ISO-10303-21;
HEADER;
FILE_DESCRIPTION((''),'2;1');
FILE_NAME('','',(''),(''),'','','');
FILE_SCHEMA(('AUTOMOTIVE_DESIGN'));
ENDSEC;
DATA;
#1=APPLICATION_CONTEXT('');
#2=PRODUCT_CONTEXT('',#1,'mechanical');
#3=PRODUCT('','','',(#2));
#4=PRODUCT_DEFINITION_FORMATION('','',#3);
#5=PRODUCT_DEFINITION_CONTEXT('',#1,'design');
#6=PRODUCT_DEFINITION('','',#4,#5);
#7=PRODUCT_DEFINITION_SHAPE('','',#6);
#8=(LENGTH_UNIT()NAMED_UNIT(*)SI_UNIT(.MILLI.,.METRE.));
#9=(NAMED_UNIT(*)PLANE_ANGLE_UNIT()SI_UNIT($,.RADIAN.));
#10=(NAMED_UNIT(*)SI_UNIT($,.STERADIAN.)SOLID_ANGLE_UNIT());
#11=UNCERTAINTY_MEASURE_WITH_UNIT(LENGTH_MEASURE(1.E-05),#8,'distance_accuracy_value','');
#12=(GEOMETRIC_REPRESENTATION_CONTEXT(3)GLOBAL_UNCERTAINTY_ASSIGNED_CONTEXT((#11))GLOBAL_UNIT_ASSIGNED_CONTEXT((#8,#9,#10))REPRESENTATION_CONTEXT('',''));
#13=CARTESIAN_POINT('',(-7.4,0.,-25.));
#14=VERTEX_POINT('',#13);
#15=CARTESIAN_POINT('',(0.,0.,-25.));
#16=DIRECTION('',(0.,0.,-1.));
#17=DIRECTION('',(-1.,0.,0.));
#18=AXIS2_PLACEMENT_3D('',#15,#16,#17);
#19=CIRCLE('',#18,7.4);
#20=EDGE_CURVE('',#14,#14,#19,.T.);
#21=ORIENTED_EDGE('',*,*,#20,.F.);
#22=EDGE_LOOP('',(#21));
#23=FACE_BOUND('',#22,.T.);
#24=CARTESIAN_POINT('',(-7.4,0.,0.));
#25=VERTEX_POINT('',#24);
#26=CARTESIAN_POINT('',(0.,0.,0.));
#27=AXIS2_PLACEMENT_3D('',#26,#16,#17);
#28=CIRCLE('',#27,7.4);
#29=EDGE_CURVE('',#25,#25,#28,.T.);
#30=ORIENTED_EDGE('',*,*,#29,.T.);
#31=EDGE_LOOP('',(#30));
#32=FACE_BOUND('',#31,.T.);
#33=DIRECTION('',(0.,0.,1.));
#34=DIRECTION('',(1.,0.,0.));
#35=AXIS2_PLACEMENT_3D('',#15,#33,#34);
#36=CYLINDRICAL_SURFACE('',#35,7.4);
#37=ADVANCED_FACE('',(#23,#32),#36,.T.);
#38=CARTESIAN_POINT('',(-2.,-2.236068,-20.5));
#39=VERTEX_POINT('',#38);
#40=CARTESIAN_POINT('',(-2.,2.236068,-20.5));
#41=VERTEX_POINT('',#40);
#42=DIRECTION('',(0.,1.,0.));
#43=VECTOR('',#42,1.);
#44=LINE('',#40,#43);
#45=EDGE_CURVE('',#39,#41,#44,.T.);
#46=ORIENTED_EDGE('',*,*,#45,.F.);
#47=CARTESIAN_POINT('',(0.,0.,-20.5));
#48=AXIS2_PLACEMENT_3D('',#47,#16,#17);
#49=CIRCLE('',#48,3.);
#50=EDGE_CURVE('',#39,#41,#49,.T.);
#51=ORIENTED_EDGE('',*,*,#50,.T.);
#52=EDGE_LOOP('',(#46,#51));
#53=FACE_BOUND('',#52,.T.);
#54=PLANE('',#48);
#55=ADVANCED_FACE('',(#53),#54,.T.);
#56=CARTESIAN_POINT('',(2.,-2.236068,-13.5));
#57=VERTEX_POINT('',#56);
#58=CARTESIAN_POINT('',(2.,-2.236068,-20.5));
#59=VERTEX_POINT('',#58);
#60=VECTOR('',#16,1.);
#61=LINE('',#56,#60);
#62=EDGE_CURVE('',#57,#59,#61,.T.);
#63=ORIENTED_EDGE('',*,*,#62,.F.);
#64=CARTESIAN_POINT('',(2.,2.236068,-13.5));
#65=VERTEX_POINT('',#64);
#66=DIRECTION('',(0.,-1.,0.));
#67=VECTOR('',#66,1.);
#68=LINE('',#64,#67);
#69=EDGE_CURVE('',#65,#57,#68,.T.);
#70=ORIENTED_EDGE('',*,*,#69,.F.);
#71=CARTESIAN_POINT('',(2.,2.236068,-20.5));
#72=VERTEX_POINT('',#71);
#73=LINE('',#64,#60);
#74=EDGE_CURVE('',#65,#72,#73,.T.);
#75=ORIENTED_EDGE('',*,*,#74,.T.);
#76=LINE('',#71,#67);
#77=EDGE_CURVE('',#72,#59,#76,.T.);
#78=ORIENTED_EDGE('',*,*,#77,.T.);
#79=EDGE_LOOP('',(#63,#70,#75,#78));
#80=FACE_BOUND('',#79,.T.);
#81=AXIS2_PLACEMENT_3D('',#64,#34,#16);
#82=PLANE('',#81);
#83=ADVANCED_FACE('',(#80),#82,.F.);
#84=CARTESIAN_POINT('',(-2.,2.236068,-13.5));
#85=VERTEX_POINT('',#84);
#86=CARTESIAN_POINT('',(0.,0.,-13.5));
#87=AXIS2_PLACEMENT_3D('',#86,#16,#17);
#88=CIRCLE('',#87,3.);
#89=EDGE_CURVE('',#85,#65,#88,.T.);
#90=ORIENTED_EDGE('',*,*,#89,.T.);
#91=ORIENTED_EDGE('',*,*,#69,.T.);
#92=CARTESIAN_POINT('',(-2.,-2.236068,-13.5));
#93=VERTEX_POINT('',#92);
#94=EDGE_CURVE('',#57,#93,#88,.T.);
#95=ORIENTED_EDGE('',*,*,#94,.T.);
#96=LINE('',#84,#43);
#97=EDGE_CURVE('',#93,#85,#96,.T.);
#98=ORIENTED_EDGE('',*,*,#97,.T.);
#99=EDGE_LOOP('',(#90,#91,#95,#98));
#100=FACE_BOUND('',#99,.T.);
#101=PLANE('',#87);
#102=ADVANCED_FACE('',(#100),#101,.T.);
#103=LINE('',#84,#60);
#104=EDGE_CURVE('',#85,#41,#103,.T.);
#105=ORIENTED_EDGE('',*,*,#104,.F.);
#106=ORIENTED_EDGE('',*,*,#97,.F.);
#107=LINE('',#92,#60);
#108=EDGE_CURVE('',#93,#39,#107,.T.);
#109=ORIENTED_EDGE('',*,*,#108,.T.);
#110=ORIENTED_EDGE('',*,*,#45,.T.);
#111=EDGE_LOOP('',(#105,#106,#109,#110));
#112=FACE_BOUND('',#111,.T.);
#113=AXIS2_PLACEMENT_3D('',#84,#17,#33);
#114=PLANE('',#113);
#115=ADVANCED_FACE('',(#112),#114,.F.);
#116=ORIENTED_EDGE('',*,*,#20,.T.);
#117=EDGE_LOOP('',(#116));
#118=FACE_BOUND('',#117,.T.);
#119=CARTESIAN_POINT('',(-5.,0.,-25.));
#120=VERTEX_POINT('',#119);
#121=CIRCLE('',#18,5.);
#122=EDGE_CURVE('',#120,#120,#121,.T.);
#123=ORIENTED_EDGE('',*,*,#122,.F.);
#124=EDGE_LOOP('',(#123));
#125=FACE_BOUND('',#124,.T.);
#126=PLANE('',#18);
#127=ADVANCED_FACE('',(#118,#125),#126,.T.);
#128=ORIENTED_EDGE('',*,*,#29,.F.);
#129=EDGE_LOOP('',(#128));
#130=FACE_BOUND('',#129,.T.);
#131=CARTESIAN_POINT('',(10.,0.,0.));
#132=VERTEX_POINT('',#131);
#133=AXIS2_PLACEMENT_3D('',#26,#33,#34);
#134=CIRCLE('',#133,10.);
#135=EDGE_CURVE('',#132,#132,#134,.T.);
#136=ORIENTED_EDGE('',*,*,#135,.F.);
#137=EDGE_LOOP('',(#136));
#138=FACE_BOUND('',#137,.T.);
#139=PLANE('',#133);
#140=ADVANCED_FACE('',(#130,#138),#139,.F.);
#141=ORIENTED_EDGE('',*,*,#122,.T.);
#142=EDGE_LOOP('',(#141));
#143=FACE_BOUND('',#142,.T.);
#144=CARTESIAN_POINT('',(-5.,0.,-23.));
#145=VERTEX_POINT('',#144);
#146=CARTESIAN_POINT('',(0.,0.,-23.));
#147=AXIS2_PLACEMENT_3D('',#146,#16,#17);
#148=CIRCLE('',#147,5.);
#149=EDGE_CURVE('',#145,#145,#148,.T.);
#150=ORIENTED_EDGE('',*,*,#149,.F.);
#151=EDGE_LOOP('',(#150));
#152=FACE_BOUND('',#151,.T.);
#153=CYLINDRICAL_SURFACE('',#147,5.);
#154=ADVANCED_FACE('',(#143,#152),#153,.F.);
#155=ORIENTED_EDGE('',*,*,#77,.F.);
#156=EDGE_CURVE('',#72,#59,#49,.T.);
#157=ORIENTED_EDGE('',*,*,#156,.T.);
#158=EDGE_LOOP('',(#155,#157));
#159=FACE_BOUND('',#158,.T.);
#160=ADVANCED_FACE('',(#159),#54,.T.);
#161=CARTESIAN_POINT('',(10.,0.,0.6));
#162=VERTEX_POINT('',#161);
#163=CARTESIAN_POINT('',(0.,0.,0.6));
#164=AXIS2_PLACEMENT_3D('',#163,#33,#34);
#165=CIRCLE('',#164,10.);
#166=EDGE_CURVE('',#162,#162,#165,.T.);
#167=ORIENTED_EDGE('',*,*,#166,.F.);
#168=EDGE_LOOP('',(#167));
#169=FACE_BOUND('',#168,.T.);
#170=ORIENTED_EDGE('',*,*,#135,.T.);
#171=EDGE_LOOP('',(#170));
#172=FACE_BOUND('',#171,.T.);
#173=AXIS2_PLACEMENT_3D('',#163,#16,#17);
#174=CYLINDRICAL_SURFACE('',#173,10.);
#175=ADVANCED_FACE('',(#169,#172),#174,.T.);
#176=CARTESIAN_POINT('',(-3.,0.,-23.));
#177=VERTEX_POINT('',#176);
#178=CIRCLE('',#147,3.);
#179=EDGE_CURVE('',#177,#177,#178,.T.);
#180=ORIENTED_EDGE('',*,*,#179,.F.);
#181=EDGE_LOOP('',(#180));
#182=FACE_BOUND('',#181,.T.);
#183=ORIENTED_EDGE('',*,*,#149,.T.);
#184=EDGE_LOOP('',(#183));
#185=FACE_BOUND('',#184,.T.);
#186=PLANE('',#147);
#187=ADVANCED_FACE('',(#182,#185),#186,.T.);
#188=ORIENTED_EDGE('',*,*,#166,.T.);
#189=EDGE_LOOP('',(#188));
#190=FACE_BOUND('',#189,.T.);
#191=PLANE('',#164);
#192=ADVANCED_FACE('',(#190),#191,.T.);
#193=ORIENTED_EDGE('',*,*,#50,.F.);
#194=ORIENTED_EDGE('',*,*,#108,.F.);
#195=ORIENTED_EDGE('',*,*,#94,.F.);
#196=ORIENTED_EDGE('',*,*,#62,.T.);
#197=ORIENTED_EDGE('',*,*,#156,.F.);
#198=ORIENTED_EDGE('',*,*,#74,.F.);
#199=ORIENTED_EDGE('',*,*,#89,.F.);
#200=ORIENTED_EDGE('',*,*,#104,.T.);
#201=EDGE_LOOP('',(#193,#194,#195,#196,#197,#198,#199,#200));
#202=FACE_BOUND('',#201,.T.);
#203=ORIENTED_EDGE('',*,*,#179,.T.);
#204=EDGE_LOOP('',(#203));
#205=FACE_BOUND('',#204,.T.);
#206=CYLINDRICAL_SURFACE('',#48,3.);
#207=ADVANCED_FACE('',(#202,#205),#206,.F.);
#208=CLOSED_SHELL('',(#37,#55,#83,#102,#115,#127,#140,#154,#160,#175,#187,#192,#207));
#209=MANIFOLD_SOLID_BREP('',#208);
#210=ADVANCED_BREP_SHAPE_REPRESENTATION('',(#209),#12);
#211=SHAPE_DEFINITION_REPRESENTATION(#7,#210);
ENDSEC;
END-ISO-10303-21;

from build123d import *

# Parameters (mm, degrees)
SKETCH2_R           = 10
BOSS_EXTRUDE1_DEPTH = 0.6
SKETCH3_R           = 7.4
BOSS_EXTRUDE2_DEPTH = 25
SKETCH4_R           = 5
CUT_EXTRUDE1_DEPTH  = 2
SKETCH5_R           = 3
CUT_EXTRUDE2_DEPTH  = 2.5
CUT_EXTRUDE3_DEPTH  = 7


with BuildPart() as part:
    # Sketch2 → Boss-Extrude1 (new body)
    with BuildSketch(Plane.XY):
        Circle(SKETCH2_R)
    extrude(amount=BOSS_EXTRUDE1_DEPTH)

    # Sketch3 → Boss-Extrude2 (add)
    with BuildSketch(Plane(origin=(0, 0, 0), x_dir=(-1, 0, 0), z_dir=(0, 0, -1))):
        Circle(SKETCH3_R)
    extrude(amount=BOSS_EXTRUDE2_DEPTH)

    # Sketch4 → Cut-Extrude1 (cut)
    with BuildSketch(Plane(origin=(0, 0, -25), x_dir=(-1, 0, 0), z_dir=(0, 0, -1))):
        Circle(SKETCH4_R)
    extrude(amount=-CUT_EXTRUDE1_DEPTH, mode=Mode.SUBTRACT)

    # Sketch5 → Cut-Extrude2 (cut)
    with BuildSketch(Plane(origin=(0, 0, -23), x_dir=(-1, 0, 0), z_dir=(0, 0, -1))):
        Circle(SKETCH5_R)
    extrude(amount=-CUT_EXTRUDE2_DEPTH, mode=Mode.SUBTRACT)

    # Sketch6 → Cut-Extrude3 (cut)
    with BuildSketch(Plane(origin=(0, 0, -20.5), x_dir=(-1, 0, 0), z_dir=(0, 0, -1))):
        with BuildLine():
            Line((-2, 2.236067977), (-2, -2.236067977))
            ThreePointArc((-2, -2.236067977), (0, -3), (2, -2.236067977))
            Line((2, -2.236067977), (2, 2.236067977))
            ThreePointArc((2, 2.236067977), (0, 3), (-2, 2.236067977))
        make_face()
    extrude(amount=-CUT_EXTRUDE3_DEPTH, mode=Mode.SUBTRACT)


solid = part.part
